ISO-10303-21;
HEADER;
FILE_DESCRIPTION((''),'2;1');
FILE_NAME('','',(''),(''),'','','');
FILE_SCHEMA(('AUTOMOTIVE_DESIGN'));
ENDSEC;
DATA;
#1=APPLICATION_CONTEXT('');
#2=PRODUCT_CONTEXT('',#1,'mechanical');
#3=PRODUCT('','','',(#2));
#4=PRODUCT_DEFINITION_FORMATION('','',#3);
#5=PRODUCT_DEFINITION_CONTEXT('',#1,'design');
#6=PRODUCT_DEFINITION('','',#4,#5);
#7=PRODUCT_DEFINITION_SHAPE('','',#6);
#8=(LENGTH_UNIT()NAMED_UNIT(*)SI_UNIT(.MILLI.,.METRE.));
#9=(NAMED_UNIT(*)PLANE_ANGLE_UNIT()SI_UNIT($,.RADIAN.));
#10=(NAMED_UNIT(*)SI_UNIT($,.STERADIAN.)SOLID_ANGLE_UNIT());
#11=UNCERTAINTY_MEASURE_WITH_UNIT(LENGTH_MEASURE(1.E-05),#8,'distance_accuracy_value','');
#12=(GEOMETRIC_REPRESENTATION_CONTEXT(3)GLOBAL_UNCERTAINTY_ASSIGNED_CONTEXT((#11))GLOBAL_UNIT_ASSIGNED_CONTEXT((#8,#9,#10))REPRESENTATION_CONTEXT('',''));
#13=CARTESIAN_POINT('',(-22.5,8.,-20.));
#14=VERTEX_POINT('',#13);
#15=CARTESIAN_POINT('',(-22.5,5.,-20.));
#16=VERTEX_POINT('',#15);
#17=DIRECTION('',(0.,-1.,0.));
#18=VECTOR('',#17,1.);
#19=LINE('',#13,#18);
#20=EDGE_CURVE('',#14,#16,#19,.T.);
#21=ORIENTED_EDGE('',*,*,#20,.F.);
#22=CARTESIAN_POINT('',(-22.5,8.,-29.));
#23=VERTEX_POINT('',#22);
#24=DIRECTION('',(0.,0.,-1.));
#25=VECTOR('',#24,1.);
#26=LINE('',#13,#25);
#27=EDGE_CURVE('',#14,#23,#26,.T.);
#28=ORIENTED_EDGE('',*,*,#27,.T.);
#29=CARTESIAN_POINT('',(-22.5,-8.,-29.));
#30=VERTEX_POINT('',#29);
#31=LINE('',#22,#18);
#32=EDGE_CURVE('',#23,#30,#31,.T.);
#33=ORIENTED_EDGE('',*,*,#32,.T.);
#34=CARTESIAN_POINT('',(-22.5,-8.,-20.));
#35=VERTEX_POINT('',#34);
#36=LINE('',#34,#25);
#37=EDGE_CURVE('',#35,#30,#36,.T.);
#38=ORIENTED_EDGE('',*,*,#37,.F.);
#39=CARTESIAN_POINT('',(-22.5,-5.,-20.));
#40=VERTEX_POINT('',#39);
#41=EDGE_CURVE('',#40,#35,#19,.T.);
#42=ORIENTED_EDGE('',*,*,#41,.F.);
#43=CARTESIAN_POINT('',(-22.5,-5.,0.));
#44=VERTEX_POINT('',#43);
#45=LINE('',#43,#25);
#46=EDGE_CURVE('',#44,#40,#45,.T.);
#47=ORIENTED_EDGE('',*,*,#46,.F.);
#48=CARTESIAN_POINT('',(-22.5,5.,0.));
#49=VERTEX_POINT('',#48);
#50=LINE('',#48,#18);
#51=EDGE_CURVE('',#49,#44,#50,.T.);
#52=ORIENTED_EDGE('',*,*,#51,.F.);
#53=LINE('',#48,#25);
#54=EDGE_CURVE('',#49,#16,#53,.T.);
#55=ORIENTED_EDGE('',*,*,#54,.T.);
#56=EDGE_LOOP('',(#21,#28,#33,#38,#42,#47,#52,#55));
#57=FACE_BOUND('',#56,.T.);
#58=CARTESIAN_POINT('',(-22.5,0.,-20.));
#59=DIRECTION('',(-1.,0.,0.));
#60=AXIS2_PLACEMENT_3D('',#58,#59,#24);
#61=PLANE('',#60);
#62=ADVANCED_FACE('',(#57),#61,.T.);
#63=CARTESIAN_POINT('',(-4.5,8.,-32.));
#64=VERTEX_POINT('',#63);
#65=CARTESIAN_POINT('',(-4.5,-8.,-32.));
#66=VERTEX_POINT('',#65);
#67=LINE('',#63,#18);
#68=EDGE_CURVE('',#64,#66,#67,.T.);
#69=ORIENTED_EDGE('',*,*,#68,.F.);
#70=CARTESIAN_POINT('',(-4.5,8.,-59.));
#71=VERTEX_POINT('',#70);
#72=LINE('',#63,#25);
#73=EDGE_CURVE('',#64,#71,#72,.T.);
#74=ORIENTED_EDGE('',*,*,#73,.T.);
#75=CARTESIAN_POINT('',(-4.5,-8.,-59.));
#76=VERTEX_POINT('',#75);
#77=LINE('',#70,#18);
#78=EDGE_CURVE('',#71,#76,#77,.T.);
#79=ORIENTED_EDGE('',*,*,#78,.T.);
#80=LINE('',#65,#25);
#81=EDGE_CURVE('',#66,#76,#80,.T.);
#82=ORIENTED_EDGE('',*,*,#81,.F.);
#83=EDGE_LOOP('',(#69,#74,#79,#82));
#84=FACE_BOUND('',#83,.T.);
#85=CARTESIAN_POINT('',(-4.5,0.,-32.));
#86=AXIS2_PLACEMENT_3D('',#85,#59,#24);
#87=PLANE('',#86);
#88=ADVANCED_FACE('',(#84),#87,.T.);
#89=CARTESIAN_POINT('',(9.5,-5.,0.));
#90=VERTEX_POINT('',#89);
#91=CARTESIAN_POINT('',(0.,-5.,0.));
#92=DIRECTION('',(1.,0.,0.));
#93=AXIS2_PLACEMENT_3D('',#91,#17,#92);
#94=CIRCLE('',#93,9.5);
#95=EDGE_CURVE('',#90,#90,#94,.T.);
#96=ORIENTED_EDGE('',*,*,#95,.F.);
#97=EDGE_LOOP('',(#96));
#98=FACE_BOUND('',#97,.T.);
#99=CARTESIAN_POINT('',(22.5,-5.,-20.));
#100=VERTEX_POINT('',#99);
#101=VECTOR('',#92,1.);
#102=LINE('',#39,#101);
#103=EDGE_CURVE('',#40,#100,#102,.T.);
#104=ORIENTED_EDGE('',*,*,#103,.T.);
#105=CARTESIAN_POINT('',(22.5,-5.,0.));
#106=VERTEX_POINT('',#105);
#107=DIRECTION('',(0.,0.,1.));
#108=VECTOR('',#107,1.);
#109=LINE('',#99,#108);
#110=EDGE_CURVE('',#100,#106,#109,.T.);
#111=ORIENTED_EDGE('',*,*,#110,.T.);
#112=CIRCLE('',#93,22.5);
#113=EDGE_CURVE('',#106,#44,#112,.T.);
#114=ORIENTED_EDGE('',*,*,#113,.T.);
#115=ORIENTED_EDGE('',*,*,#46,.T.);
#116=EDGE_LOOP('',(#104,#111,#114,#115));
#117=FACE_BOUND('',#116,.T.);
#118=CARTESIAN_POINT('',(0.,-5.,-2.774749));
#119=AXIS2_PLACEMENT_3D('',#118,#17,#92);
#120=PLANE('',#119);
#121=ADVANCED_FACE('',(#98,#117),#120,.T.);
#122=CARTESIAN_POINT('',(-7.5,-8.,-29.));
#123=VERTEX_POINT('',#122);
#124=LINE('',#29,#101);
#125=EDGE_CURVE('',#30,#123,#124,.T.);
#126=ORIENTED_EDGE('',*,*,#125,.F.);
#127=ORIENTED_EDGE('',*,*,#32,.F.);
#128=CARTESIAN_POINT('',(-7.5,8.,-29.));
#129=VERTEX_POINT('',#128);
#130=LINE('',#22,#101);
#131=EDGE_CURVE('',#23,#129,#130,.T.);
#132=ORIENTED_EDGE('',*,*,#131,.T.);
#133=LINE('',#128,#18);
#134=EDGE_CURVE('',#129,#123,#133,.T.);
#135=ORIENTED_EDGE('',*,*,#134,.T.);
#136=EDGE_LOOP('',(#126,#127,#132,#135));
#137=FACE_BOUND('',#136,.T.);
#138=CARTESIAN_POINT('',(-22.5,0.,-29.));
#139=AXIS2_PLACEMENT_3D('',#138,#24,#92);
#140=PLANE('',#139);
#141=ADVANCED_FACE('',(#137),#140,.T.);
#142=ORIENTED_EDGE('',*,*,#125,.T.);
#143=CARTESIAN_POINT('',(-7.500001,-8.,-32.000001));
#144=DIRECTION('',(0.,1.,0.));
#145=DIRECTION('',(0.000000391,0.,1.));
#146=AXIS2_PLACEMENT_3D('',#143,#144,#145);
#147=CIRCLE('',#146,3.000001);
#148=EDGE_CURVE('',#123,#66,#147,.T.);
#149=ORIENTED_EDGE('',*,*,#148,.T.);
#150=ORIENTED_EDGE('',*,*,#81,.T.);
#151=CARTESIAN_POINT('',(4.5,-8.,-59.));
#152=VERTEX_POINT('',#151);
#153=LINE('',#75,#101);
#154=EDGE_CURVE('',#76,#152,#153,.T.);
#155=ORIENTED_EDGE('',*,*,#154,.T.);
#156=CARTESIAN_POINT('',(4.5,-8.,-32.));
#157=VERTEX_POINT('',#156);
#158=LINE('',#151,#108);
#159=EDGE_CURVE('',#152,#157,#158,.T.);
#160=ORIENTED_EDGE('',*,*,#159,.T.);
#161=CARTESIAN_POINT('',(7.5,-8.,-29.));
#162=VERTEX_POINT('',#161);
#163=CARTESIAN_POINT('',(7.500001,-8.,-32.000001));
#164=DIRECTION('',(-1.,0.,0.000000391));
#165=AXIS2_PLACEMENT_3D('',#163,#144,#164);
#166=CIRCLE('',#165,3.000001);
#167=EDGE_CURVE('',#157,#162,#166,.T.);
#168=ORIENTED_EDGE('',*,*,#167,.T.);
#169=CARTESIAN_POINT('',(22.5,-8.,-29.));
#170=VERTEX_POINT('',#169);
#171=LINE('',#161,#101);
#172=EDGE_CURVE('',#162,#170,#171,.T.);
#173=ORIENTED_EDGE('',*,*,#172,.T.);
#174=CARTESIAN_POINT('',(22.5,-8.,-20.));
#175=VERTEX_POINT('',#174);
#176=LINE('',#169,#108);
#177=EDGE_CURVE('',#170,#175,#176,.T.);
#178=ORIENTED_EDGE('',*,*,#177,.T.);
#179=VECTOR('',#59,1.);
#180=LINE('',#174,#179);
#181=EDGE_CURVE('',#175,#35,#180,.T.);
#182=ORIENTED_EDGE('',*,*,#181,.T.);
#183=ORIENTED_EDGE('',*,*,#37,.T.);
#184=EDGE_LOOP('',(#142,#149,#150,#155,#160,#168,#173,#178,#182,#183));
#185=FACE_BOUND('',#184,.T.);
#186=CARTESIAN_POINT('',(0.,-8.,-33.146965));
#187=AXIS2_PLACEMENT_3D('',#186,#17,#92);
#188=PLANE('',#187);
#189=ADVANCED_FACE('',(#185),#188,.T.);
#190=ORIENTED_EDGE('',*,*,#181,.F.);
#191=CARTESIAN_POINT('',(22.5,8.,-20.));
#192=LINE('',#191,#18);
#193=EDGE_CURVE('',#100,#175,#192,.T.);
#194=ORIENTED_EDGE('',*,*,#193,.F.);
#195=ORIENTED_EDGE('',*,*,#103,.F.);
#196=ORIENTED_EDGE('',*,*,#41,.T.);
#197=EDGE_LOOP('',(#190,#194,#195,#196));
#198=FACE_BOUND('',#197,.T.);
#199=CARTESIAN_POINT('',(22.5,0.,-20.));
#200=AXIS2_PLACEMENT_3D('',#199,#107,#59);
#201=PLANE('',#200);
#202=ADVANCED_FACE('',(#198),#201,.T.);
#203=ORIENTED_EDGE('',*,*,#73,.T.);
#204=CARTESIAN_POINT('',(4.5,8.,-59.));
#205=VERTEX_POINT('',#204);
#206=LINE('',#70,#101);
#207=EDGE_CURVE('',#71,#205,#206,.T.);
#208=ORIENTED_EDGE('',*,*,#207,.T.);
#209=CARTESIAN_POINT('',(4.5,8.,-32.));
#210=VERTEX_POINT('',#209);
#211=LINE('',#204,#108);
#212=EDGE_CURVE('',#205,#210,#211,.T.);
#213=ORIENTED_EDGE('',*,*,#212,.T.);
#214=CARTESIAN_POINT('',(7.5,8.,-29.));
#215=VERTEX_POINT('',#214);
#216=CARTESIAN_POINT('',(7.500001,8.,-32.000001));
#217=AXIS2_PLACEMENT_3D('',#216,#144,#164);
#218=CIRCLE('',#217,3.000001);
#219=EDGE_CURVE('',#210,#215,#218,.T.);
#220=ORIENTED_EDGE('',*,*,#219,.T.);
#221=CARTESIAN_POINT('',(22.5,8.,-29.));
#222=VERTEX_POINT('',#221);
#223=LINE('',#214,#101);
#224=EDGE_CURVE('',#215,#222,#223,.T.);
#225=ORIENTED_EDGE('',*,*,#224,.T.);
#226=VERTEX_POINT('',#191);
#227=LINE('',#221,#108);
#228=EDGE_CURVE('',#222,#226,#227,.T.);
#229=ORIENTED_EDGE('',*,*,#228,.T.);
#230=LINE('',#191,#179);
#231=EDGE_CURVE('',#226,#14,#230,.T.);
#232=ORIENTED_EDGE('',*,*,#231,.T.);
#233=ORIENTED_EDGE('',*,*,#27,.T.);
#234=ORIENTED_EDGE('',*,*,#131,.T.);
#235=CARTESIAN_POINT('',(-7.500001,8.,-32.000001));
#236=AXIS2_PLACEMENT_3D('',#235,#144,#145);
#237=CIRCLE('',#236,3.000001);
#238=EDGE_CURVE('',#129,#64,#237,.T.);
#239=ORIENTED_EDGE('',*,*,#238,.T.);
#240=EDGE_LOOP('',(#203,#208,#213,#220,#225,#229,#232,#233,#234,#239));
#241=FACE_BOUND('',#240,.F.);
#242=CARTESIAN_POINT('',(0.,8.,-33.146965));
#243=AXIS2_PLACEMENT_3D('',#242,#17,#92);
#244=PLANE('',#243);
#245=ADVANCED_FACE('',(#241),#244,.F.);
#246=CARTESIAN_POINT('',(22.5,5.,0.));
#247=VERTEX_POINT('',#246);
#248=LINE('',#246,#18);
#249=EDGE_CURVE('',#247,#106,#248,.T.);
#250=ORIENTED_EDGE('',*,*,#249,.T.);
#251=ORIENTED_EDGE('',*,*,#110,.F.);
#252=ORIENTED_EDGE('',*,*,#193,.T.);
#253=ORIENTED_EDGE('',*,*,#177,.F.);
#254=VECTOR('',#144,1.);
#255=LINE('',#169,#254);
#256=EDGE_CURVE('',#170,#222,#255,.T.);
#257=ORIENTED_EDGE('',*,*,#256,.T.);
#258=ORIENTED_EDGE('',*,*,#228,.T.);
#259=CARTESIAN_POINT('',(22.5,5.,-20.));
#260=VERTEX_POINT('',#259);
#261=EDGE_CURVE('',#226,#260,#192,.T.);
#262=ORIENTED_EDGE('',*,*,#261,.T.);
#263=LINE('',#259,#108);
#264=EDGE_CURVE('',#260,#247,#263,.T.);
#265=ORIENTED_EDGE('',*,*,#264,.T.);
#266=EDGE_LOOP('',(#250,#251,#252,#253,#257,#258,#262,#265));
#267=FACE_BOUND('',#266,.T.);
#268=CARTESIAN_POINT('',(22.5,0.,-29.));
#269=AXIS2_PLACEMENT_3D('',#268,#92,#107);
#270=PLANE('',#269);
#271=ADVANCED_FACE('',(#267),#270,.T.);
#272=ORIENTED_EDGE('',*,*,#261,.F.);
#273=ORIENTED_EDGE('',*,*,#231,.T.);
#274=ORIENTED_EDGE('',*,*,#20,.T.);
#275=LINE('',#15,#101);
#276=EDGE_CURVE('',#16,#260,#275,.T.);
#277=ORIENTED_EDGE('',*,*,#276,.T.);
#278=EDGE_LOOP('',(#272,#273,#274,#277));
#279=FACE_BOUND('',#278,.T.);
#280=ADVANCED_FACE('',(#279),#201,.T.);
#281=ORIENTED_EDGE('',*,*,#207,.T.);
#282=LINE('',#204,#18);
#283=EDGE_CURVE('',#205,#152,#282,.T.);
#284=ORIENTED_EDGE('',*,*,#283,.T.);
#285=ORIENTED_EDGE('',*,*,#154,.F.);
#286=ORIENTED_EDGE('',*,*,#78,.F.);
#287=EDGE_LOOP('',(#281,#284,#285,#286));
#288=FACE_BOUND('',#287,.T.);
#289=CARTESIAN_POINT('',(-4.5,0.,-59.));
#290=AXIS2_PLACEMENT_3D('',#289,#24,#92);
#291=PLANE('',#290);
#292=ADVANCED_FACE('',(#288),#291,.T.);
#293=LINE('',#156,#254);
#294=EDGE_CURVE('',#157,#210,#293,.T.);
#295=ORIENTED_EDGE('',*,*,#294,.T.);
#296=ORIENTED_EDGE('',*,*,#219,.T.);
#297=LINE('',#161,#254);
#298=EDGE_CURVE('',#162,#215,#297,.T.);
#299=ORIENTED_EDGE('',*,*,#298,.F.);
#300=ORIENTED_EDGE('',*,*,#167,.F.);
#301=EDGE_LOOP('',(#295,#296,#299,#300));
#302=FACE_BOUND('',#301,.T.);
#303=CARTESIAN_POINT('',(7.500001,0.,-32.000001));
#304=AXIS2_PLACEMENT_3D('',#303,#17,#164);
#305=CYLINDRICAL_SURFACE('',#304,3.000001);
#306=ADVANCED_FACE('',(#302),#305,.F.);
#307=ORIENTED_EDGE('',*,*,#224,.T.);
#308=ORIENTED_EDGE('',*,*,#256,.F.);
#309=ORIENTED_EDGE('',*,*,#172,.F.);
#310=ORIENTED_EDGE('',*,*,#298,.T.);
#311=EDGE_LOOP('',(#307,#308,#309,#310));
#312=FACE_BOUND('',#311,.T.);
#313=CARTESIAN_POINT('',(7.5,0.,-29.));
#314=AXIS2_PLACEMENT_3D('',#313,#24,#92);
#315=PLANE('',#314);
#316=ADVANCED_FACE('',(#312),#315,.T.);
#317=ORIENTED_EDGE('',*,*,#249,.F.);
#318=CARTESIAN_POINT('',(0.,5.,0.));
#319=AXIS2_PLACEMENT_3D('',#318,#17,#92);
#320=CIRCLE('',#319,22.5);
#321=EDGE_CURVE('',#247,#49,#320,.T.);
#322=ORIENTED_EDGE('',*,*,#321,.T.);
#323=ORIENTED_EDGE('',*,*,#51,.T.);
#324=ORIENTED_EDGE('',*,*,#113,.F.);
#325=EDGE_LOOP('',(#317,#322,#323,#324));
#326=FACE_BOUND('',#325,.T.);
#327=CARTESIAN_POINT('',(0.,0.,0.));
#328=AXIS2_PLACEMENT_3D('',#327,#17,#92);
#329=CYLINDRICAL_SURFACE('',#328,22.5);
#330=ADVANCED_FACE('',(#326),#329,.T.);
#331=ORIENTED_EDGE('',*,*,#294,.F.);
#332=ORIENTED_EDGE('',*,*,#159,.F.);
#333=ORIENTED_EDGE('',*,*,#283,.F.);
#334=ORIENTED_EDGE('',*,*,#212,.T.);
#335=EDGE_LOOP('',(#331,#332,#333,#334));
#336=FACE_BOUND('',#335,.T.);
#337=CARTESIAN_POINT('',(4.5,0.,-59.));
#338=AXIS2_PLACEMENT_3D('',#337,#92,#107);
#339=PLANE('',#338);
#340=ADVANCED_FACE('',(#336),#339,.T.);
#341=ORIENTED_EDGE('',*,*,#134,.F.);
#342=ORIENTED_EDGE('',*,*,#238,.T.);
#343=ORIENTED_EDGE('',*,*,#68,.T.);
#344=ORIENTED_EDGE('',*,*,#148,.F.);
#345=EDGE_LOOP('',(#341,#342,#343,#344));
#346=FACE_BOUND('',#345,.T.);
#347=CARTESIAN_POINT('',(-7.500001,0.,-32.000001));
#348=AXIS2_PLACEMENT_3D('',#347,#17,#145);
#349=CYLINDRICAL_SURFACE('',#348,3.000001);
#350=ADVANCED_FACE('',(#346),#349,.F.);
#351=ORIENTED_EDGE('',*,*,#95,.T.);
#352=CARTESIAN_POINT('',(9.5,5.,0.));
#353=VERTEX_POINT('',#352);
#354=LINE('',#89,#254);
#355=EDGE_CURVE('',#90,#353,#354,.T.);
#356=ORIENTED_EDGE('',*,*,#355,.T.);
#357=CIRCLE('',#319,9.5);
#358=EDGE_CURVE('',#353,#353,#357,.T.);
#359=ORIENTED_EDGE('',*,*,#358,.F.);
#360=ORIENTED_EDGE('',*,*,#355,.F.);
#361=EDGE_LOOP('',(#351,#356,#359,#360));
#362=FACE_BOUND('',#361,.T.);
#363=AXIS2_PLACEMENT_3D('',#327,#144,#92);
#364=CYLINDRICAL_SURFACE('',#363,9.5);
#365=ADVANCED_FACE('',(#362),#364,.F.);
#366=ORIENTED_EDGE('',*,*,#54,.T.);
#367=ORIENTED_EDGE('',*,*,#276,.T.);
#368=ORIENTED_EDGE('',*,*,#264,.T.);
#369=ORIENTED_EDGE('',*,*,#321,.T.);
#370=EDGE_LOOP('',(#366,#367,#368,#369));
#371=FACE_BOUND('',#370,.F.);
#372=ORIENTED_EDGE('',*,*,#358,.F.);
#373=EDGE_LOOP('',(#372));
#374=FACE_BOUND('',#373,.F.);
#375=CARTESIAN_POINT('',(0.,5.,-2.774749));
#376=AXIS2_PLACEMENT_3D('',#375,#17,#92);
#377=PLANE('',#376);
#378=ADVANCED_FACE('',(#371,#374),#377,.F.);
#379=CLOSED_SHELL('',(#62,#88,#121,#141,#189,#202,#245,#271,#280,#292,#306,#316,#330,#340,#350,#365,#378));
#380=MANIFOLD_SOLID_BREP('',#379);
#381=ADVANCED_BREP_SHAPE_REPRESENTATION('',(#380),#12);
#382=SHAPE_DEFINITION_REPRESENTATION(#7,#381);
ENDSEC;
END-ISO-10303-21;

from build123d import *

# Parameters (mm, degrees)
F1_DEPTH = 8
F0_R     = 9.5
F2_DEPTH = 5


with BuildPart() as f1:
    # F0 (on Front) → F1 (new body, symmetric)
    with BuildSketch(Plane.XZ):
        with BuildLine():
            Line((22.5, -29), (22.5, -20))
            Line((22.5, -20), (-22.5, -20))
            Line((-22.5, -20), (-22.5, -29))
            Line((-22.5, -29), (-7.5, -29))
            ThreePointArc((-7.5, -29), (-5.37868, -29.87868), (-4.5, -32))
            Line((-4.5, -32), (-4.5, -59))
            Line((-4.5, -59), (0, -59))
            Line((0, -59), (4.5, -59))
            Line((4.5, -59), (4.5, -32))
            ThreePointArc((4.5, -32), (5.37868, -29.87868), (7.5, -29))
            Line((7.5, -29), (22.5, -29))
        make_face()
    extrude(amount=F1_DEPTH, both=True)

    # F0 (on Front) → F2 (join, symmetric)
    with BuildSketch(Plane.XZ):
        with BuildLine():
            Line((22.5, -20), (22.5, 0))
            ThreePointArc((22.5, 0), (0, 22.5), (-22.5, 0))
            Line((-22.5, 0), (-22.5, -20))
            Line((-22.5, -20), (22.5, -20))
        make_face()
        Circle(F0_R, mode=Mode.SUBTRACT)
    extrude(amount=F2_DEPTH, both=True)


solid = f1.part
